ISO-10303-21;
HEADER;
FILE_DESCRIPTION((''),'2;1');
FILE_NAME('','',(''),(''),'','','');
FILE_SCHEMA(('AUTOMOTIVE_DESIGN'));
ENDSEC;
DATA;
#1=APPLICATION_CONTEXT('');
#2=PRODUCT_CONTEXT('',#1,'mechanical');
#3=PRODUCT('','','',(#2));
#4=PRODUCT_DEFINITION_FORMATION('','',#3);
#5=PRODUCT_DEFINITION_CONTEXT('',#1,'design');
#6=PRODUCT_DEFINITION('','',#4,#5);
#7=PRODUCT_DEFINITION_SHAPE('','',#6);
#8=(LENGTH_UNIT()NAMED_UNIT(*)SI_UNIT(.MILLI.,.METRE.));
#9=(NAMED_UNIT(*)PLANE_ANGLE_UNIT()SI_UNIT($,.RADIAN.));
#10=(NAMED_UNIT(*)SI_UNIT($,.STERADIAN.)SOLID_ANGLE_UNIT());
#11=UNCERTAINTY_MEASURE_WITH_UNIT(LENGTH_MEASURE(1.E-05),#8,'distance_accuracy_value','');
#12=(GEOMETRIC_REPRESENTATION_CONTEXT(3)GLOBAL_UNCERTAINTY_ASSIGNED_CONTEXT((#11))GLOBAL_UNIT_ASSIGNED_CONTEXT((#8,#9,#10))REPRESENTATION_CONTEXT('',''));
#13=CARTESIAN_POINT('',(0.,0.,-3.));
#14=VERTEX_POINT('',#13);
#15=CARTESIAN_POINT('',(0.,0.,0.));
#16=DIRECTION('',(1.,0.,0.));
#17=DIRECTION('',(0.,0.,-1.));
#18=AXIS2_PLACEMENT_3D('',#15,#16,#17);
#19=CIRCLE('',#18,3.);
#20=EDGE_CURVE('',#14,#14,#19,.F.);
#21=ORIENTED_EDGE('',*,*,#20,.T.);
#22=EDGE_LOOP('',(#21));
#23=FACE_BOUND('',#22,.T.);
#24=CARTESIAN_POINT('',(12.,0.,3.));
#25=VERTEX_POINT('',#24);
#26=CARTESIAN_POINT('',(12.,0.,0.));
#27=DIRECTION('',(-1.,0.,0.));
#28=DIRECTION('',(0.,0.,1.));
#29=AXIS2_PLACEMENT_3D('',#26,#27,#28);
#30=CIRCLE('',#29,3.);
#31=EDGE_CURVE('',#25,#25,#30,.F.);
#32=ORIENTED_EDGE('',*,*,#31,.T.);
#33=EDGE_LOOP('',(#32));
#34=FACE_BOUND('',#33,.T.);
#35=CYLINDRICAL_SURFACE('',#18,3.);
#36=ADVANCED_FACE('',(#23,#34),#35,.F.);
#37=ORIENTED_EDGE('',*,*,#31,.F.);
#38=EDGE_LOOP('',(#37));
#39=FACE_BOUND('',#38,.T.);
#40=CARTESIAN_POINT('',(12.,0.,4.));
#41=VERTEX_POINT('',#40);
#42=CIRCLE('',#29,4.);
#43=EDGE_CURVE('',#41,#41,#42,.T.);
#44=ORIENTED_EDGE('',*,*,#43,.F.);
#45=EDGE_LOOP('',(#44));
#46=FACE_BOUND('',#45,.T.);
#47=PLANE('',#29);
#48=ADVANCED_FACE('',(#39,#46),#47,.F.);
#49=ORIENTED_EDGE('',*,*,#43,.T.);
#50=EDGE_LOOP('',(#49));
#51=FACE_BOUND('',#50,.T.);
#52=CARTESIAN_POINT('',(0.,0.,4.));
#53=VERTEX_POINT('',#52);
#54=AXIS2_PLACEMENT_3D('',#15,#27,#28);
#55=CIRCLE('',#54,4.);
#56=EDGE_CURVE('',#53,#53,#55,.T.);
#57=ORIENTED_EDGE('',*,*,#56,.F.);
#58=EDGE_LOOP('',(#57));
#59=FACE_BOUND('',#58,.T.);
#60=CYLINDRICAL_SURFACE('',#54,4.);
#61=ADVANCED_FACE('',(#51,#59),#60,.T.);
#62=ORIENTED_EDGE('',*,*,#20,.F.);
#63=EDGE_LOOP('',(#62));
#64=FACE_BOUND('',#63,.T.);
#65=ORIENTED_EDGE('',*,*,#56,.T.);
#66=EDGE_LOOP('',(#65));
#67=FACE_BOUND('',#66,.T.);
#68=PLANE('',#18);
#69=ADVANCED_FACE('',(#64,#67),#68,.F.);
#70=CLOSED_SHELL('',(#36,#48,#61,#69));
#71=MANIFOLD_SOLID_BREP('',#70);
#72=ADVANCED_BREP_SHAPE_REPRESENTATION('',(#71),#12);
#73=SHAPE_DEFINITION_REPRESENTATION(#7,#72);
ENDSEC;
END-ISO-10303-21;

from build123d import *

# Parameters (mm, degrees)
SKETCH1_W = 12
SKETCH1_H = 4


with BuildPart() as part:
    # Sketch1 → Revolve1 (revolve)
    with BuildSketch(Plane.XY, mode=Mode.PRIVATE) as revolve1_sk:
        with Locations((6, 2)):
            Rectangle(SKETCH1_W, SKETCH1_H)
    revolve(revolve1_sk.sketch.rotate(Axis((0, 0, 0), (1, 0, 0)), 90), axis=Axis((0, 0, 0), (1, 0, 0)))

    # SurfaceCut1: cut with a surface, the side it looks to stays
    # Surface-Revolve1: a surface, the sketch's curves turned about an axis
    with BuildLine(Plane.XY, mode=Mode.PRIVATE) as surface_revolve1_1_path:
        Line((0, 3), (12, 3))
    surface_revolve1_1 = Shell.revolve(surface_revolve1_1_path.wire(), 360, Axis((0, 0, 0), (1, 0, 0)))
    split(bisect_by=surface_revolve1_1, keep=Keep.TOP)


solid = part.part
